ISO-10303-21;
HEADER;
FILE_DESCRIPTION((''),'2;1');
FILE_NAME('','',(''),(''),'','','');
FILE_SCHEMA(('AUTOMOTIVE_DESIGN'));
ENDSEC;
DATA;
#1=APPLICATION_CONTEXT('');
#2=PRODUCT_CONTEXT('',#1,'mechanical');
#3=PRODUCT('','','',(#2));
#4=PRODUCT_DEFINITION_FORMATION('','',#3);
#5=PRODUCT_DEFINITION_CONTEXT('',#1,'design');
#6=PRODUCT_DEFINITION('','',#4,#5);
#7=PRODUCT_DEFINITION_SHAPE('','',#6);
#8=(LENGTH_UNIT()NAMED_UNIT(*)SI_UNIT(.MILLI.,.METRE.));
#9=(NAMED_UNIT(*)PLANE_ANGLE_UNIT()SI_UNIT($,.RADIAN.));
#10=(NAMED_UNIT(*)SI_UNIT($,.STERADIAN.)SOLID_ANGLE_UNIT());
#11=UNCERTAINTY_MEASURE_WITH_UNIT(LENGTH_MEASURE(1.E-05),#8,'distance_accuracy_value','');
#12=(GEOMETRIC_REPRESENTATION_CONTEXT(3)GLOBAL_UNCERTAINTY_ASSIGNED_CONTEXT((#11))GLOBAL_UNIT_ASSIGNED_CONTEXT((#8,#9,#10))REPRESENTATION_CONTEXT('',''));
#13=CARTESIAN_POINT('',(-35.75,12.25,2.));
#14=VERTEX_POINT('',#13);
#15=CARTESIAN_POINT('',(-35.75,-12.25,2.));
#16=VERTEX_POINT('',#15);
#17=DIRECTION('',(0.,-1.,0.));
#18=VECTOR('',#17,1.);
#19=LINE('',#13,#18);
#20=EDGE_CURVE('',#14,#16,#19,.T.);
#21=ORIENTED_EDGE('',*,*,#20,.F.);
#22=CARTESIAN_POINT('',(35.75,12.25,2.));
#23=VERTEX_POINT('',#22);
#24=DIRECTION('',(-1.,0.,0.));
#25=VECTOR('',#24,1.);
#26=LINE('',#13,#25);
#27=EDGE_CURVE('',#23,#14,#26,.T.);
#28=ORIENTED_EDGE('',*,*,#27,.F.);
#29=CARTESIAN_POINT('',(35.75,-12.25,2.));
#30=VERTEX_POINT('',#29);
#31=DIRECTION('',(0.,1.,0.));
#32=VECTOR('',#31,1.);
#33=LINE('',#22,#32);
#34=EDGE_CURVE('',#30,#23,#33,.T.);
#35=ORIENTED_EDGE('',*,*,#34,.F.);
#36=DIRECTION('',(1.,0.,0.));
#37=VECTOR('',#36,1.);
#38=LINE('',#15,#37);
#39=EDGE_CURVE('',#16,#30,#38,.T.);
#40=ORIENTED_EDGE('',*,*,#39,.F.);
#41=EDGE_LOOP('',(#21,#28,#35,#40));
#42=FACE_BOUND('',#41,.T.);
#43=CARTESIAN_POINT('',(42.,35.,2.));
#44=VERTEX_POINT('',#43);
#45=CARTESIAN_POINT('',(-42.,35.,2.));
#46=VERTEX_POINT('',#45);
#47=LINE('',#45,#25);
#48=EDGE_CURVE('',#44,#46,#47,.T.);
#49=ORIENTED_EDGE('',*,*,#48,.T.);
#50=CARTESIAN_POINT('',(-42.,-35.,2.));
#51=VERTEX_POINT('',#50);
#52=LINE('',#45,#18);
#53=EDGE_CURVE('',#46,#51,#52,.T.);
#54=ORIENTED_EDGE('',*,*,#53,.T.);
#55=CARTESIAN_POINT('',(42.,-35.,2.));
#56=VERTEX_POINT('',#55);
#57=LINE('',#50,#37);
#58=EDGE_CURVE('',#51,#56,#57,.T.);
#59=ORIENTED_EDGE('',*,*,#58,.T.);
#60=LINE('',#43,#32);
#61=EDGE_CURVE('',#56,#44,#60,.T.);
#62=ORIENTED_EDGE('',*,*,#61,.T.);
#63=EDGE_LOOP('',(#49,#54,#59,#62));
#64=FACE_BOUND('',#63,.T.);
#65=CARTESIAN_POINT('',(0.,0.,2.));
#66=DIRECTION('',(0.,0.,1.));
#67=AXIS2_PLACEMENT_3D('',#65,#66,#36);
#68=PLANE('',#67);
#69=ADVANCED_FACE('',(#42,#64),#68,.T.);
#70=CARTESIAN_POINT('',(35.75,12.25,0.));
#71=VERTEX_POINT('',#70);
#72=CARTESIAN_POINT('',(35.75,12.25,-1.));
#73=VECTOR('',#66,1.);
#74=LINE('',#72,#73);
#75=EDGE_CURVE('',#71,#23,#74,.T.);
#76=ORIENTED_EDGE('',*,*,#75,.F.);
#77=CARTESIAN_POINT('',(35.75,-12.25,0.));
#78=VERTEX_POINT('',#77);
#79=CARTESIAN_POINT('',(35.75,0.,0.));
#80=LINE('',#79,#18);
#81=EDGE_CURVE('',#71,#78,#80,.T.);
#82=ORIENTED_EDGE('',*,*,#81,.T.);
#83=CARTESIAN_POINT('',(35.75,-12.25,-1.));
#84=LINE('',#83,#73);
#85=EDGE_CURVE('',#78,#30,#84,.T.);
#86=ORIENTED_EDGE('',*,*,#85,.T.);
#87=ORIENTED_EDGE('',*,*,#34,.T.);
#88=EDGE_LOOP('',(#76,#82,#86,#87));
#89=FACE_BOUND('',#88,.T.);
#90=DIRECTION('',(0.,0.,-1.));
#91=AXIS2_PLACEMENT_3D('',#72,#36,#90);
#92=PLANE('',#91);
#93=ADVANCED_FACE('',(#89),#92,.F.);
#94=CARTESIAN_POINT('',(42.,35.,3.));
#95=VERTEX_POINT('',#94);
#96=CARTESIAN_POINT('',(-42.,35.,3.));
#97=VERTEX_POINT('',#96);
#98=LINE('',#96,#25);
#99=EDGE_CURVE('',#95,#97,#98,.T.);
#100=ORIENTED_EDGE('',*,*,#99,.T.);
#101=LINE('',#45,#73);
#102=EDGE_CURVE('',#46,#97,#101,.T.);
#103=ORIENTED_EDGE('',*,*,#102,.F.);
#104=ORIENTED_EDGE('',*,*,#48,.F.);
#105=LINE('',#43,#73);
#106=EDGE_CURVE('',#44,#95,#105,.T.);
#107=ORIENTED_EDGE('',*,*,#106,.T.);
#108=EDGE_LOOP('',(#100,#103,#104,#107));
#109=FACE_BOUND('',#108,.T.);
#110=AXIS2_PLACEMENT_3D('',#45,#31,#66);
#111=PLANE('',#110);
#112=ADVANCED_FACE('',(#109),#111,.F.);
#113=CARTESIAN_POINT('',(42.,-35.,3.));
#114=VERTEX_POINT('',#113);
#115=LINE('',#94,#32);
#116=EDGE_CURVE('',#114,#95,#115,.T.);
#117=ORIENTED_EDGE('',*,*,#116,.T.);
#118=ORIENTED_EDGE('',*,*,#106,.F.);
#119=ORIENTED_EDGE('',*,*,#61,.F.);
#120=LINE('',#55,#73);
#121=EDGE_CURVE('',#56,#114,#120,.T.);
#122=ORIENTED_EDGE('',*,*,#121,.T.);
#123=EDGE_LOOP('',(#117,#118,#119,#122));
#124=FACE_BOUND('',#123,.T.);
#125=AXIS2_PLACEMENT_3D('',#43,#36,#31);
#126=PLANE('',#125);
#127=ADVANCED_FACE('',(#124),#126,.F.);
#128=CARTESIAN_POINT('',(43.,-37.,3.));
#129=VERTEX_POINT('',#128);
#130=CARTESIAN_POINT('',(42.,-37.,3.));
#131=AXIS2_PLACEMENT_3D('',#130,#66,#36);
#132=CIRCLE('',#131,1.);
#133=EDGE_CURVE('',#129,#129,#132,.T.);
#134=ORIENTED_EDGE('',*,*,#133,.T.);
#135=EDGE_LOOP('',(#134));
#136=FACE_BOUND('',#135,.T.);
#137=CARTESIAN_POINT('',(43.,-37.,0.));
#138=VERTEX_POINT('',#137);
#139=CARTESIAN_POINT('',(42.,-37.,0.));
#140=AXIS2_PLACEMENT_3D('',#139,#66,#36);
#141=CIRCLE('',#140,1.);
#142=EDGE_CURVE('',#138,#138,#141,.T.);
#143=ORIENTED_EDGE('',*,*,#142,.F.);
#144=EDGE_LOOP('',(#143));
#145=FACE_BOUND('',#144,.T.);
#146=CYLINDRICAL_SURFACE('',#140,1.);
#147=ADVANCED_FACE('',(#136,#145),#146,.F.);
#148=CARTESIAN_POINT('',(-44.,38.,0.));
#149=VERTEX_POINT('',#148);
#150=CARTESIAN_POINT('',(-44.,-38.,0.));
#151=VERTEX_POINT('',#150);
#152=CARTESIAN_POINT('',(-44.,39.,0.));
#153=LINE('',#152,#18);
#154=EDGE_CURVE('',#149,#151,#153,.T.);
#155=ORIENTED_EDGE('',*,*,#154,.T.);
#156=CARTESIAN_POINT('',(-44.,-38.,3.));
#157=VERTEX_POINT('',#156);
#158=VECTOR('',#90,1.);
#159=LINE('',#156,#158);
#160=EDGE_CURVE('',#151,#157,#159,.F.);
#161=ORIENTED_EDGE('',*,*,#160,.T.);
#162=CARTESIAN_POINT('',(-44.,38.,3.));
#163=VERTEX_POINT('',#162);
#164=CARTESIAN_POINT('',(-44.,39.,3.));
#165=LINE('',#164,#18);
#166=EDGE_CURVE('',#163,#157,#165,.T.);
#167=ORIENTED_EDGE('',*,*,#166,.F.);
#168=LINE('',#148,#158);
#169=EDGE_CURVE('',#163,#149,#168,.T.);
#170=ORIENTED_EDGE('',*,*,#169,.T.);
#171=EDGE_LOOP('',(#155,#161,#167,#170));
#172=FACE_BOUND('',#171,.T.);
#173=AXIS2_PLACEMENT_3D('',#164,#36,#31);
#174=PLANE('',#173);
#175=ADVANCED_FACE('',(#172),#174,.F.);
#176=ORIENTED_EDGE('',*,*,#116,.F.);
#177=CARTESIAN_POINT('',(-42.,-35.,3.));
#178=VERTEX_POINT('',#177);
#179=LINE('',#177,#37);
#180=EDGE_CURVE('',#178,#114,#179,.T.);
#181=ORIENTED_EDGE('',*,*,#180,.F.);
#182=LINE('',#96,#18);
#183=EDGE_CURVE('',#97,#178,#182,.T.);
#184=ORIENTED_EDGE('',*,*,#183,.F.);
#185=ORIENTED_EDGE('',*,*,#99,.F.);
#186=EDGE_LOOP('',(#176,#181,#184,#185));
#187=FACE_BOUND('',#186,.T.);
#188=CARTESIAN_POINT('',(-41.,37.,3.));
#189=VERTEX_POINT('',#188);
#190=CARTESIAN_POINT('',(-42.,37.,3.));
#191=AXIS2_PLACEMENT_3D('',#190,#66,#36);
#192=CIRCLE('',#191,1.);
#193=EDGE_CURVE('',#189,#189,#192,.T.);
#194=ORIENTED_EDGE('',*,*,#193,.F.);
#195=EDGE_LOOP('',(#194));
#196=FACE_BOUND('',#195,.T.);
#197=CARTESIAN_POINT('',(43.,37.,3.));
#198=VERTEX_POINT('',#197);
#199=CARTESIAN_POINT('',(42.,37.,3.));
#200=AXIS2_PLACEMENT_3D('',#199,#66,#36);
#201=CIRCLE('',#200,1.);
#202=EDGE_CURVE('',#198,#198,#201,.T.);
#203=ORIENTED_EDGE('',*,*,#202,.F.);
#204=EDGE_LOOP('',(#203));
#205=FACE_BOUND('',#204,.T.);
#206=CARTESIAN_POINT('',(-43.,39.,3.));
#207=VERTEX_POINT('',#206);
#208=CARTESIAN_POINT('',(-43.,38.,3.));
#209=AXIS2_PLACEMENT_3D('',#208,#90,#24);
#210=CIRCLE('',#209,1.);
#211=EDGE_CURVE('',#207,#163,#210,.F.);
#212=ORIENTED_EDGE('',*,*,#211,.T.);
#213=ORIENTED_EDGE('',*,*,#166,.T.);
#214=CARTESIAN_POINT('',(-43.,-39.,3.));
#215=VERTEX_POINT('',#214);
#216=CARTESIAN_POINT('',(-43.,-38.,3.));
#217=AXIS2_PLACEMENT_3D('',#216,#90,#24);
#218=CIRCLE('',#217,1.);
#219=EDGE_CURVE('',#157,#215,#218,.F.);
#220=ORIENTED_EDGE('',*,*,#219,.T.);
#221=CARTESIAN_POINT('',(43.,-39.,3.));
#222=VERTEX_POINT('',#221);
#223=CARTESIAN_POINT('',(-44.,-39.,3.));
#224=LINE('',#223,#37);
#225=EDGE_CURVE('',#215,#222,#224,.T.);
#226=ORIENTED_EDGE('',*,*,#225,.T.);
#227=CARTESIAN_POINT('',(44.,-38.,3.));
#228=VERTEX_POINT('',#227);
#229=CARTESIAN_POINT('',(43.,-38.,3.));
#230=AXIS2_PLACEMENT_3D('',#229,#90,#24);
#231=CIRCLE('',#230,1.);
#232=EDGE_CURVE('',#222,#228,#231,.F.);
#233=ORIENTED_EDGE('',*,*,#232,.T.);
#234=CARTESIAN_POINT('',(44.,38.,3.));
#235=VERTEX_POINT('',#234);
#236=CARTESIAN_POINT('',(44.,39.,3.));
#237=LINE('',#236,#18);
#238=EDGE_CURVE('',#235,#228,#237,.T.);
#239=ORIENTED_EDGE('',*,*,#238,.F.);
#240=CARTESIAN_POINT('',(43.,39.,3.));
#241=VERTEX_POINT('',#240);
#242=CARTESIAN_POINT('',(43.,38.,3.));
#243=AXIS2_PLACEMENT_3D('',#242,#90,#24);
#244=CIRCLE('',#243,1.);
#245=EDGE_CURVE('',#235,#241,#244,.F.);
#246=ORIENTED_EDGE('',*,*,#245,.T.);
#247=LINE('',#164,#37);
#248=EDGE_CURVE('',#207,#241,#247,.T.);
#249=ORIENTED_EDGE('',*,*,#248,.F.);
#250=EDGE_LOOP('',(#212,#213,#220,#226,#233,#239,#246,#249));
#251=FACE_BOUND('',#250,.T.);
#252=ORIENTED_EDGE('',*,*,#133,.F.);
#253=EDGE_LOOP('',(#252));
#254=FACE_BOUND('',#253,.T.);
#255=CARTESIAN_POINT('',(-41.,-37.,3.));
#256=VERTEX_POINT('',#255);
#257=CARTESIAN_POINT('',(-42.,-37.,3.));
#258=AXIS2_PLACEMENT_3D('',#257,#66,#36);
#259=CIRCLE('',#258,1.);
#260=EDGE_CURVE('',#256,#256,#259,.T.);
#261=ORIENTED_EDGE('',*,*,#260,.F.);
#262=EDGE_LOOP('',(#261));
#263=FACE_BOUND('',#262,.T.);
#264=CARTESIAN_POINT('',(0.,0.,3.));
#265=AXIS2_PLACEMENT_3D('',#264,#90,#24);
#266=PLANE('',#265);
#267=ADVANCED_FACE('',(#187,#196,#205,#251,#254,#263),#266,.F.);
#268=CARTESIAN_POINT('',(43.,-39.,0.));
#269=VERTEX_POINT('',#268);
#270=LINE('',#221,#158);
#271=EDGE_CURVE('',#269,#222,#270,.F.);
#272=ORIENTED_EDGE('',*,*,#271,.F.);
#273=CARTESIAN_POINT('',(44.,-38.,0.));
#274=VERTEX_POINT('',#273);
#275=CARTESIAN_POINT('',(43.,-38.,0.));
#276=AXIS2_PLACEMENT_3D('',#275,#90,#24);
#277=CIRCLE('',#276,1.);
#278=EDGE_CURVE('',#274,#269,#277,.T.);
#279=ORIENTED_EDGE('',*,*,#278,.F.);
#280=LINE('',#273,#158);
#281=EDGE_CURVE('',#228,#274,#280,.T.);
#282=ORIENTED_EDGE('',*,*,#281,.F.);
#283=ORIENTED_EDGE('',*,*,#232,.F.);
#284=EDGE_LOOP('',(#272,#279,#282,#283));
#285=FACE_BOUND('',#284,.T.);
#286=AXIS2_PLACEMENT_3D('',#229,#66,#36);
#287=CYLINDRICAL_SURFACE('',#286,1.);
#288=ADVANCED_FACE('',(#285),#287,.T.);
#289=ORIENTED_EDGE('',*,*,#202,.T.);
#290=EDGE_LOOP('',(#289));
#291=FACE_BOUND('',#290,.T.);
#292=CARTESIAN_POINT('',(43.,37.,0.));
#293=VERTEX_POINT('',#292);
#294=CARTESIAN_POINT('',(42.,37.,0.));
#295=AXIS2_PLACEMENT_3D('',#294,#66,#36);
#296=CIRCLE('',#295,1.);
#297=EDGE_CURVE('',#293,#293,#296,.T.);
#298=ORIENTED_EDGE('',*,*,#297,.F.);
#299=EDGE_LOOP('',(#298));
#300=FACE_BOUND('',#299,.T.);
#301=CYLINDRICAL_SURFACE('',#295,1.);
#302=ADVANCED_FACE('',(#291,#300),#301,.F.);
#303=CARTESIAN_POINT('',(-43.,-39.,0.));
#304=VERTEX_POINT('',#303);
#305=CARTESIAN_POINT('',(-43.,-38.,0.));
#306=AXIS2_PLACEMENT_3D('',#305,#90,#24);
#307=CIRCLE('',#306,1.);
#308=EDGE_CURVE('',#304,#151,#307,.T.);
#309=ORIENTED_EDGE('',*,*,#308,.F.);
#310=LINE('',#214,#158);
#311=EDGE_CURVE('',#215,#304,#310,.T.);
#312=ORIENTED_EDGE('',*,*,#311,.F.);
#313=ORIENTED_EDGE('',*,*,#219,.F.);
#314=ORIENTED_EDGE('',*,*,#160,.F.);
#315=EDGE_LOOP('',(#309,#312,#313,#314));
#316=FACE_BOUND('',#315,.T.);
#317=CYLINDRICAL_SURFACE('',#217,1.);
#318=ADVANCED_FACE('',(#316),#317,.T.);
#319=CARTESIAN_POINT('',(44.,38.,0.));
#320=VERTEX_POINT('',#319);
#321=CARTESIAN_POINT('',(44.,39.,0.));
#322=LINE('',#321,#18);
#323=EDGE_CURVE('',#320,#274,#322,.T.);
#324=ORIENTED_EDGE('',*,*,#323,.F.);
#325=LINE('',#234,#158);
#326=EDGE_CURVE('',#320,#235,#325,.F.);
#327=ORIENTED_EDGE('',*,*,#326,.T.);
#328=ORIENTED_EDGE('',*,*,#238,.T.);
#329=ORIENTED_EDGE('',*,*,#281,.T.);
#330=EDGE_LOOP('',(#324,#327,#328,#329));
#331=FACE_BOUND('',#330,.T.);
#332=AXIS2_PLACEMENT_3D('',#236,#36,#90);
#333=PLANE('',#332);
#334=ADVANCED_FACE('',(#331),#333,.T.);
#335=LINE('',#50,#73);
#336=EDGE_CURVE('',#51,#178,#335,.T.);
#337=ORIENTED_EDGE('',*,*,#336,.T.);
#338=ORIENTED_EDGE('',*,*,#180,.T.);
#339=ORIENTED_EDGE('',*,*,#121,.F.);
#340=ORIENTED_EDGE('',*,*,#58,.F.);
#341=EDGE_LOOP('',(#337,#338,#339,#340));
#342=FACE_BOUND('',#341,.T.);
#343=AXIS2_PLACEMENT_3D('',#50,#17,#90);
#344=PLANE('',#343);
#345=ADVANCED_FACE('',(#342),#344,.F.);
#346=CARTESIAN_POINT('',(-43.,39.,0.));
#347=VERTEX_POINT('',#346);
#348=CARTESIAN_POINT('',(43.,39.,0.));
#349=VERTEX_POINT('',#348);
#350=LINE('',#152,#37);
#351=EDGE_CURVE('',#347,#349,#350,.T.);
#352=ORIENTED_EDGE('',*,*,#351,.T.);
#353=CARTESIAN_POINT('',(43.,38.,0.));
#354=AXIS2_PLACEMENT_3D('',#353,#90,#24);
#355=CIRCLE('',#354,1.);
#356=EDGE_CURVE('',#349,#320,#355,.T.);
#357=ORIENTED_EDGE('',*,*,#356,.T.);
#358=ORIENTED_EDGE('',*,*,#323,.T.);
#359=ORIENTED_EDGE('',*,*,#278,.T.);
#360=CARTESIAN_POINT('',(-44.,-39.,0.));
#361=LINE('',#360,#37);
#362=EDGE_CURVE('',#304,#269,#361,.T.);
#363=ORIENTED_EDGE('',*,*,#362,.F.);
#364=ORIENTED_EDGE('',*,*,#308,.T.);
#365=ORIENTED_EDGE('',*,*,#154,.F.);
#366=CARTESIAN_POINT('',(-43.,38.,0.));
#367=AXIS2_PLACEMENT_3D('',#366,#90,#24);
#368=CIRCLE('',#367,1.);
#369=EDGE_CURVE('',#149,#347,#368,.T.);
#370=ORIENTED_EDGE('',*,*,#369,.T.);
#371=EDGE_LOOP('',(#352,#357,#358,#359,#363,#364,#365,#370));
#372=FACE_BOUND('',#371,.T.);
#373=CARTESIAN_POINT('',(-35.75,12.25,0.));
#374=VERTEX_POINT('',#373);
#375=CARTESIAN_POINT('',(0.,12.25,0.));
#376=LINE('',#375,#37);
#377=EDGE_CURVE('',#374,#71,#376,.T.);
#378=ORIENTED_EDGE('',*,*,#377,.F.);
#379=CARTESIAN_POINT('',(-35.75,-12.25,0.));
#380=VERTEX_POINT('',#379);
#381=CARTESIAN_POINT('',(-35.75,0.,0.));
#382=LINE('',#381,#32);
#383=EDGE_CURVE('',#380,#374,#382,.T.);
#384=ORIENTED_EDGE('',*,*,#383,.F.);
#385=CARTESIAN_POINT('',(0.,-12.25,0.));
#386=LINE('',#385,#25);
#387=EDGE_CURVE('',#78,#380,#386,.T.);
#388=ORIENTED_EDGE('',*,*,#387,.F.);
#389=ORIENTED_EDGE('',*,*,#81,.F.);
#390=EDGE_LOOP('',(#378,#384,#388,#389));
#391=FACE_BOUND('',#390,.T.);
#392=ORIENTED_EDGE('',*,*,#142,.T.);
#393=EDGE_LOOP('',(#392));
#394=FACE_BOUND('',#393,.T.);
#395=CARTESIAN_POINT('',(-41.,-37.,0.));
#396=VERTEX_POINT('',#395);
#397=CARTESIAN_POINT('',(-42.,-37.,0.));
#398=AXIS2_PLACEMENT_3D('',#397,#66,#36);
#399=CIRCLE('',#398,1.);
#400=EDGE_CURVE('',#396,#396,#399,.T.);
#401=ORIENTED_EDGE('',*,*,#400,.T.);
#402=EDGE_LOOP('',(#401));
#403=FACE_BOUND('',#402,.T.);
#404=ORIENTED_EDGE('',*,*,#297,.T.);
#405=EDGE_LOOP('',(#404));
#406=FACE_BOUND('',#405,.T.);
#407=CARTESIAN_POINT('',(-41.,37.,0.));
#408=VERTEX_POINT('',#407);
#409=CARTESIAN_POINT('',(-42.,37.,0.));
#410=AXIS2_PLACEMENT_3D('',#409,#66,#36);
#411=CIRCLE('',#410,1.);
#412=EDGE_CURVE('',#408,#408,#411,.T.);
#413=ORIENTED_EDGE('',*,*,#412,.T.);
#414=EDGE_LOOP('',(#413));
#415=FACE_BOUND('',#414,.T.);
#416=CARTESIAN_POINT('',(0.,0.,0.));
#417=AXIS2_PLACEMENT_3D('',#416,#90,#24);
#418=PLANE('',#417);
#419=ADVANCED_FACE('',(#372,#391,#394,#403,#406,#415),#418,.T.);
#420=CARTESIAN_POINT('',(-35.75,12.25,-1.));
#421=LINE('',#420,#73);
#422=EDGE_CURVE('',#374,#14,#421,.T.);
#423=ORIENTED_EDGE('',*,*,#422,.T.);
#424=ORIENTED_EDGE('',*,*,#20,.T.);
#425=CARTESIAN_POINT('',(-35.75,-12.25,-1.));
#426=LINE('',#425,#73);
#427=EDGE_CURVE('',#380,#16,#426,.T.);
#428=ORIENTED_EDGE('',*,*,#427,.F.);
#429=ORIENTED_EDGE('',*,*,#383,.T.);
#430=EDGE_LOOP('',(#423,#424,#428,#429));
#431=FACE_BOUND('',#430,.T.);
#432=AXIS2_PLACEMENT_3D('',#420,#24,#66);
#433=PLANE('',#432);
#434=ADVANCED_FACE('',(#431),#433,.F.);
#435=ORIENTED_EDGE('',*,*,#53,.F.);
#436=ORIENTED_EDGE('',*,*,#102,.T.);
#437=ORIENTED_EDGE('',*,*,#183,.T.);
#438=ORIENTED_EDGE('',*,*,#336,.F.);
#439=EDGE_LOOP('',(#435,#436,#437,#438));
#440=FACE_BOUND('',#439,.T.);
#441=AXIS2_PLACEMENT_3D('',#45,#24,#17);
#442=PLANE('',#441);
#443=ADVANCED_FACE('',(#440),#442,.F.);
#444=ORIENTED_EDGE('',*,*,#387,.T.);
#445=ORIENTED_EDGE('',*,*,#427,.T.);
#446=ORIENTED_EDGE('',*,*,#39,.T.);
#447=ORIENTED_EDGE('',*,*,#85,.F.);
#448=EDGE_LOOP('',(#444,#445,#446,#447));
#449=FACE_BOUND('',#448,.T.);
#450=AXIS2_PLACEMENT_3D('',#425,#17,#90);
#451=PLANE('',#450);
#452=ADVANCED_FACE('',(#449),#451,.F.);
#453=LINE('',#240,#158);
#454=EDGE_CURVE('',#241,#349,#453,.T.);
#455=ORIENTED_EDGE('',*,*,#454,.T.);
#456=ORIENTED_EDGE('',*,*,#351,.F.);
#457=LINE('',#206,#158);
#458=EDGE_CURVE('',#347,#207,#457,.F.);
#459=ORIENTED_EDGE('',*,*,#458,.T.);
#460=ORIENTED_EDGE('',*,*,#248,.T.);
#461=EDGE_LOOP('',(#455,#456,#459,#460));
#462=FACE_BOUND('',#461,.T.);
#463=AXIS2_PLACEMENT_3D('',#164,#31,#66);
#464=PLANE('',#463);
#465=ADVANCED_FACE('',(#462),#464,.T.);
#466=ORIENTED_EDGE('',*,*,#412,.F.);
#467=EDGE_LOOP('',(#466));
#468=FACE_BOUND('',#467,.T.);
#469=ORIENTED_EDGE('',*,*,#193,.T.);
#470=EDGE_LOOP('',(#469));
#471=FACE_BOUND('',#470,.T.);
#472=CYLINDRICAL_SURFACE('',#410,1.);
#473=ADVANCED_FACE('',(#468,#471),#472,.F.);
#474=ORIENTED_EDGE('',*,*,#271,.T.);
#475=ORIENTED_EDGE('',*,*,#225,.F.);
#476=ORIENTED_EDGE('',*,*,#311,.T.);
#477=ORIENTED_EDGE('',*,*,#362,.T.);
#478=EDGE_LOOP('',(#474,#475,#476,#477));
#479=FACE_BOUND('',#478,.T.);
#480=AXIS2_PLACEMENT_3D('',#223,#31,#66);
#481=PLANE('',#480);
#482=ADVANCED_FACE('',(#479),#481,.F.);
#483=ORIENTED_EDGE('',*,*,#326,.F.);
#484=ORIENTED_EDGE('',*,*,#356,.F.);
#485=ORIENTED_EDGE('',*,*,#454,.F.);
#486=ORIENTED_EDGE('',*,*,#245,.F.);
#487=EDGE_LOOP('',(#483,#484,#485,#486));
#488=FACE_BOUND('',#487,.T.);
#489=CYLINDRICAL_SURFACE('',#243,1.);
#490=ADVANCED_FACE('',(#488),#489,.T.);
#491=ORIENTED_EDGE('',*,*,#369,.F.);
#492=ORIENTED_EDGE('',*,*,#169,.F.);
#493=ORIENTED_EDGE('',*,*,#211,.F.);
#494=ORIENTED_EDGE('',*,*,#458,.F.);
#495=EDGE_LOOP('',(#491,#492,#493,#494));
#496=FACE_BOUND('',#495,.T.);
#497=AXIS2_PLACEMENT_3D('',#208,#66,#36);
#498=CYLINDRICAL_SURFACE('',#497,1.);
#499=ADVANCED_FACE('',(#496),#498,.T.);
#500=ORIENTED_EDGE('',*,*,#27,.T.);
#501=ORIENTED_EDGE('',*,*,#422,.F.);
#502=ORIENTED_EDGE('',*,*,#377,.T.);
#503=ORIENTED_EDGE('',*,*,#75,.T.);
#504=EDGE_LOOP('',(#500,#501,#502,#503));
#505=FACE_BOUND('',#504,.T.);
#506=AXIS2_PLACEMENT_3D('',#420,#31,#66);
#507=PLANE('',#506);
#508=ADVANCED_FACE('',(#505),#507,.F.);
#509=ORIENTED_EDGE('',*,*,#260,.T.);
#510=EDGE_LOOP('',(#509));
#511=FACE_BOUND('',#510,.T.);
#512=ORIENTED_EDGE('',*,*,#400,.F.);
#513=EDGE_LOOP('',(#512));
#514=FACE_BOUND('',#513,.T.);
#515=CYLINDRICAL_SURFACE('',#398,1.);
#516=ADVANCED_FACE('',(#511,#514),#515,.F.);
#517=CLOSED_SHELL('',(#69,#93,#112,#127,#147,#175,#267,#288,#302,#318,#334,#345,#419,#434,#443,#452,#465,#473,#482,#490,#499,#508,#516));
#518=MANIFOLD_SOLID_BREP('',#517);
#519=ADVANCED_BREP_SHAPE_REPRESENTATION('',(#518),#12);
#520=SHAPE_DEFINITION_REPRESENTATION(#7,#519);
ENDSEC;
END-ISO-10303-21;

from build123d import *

# Parameters (mm, degrees)
SKETCH2_W           = 88
SKETCH2_H           = 78
BOSS_EXTRUDE1_DEPTH = 3
SKETCH3_W           = 84
SKETCH3_H           = 70
CUT_EXTRUDE1_DEPTH  = 1
SKETCH4_R           = 1
CUT_EXTRUDE2_DEPTH  = 3
FILLET1_R           = 1
SKETCH5_W           = 71.5
SKETCH5_H           = 24.5
CUT_EXTRUDE3_DEPTH  = 3


with BuildPart() as part:
    # Sketch2 → Boss-Extrude1 (new body)
    with BuildSketch(Plane.XY):
        Rectangle(SKETCH2_W, SKETCH2_H)
    extrude(amount=BOSS_EXTRUDE1_DEPTH)

    # Sketch3 → Cut-Extrude1 (cut)
    with BuildSketch(Plane.XY.offset(3)):
        Rectangle(SKETCH3_W, SKETCH3_H)
    extrude(amount=-CUT_EXTRUDE1_DEPTH, mode=Mode.SUBTRACT)

    # Sketch4 → Cut-Extrude2 (cut)
    with BuildSketch(Plane.XY.offset(3)):
        with Locations((-42, 37)):
            Circle(SKETCH4_R)
        with Locations((42, 37)):
            Circle(SKETCH4_R)
        with Locations((-42, -37)):
            Circle(SKETCH4_R)
        with Locations((42, -37)):
            Circle(SKETCH4_R)
    extrude(amount=-CUT_EXTRUDE2_DEPTH, mode=Mode.SUBTRACT)

    # Fillet1
    fillet1_edges = [part.edges().sort_by_distance(p)[0] for p in [
        (-44, -39, 1.5),
        (-44, 39, 1.5),
        (44, 39, 1.5),
        (44, -39, 1.5),
    ]]
    fillet(fillet1_edges, radius=FILLET1_R)

    # Sketch5 → Cut-Extrude3 (cut)
    with BuildSketch(Plane.XY.offset(2)):
        Rectangle(SKETCH5_W, SKETCH5_H)
    extrude(amount=-CUT_EXTRUDE3_DEPTH, mode=Mode.SUBTRACT)


solid = part.part
